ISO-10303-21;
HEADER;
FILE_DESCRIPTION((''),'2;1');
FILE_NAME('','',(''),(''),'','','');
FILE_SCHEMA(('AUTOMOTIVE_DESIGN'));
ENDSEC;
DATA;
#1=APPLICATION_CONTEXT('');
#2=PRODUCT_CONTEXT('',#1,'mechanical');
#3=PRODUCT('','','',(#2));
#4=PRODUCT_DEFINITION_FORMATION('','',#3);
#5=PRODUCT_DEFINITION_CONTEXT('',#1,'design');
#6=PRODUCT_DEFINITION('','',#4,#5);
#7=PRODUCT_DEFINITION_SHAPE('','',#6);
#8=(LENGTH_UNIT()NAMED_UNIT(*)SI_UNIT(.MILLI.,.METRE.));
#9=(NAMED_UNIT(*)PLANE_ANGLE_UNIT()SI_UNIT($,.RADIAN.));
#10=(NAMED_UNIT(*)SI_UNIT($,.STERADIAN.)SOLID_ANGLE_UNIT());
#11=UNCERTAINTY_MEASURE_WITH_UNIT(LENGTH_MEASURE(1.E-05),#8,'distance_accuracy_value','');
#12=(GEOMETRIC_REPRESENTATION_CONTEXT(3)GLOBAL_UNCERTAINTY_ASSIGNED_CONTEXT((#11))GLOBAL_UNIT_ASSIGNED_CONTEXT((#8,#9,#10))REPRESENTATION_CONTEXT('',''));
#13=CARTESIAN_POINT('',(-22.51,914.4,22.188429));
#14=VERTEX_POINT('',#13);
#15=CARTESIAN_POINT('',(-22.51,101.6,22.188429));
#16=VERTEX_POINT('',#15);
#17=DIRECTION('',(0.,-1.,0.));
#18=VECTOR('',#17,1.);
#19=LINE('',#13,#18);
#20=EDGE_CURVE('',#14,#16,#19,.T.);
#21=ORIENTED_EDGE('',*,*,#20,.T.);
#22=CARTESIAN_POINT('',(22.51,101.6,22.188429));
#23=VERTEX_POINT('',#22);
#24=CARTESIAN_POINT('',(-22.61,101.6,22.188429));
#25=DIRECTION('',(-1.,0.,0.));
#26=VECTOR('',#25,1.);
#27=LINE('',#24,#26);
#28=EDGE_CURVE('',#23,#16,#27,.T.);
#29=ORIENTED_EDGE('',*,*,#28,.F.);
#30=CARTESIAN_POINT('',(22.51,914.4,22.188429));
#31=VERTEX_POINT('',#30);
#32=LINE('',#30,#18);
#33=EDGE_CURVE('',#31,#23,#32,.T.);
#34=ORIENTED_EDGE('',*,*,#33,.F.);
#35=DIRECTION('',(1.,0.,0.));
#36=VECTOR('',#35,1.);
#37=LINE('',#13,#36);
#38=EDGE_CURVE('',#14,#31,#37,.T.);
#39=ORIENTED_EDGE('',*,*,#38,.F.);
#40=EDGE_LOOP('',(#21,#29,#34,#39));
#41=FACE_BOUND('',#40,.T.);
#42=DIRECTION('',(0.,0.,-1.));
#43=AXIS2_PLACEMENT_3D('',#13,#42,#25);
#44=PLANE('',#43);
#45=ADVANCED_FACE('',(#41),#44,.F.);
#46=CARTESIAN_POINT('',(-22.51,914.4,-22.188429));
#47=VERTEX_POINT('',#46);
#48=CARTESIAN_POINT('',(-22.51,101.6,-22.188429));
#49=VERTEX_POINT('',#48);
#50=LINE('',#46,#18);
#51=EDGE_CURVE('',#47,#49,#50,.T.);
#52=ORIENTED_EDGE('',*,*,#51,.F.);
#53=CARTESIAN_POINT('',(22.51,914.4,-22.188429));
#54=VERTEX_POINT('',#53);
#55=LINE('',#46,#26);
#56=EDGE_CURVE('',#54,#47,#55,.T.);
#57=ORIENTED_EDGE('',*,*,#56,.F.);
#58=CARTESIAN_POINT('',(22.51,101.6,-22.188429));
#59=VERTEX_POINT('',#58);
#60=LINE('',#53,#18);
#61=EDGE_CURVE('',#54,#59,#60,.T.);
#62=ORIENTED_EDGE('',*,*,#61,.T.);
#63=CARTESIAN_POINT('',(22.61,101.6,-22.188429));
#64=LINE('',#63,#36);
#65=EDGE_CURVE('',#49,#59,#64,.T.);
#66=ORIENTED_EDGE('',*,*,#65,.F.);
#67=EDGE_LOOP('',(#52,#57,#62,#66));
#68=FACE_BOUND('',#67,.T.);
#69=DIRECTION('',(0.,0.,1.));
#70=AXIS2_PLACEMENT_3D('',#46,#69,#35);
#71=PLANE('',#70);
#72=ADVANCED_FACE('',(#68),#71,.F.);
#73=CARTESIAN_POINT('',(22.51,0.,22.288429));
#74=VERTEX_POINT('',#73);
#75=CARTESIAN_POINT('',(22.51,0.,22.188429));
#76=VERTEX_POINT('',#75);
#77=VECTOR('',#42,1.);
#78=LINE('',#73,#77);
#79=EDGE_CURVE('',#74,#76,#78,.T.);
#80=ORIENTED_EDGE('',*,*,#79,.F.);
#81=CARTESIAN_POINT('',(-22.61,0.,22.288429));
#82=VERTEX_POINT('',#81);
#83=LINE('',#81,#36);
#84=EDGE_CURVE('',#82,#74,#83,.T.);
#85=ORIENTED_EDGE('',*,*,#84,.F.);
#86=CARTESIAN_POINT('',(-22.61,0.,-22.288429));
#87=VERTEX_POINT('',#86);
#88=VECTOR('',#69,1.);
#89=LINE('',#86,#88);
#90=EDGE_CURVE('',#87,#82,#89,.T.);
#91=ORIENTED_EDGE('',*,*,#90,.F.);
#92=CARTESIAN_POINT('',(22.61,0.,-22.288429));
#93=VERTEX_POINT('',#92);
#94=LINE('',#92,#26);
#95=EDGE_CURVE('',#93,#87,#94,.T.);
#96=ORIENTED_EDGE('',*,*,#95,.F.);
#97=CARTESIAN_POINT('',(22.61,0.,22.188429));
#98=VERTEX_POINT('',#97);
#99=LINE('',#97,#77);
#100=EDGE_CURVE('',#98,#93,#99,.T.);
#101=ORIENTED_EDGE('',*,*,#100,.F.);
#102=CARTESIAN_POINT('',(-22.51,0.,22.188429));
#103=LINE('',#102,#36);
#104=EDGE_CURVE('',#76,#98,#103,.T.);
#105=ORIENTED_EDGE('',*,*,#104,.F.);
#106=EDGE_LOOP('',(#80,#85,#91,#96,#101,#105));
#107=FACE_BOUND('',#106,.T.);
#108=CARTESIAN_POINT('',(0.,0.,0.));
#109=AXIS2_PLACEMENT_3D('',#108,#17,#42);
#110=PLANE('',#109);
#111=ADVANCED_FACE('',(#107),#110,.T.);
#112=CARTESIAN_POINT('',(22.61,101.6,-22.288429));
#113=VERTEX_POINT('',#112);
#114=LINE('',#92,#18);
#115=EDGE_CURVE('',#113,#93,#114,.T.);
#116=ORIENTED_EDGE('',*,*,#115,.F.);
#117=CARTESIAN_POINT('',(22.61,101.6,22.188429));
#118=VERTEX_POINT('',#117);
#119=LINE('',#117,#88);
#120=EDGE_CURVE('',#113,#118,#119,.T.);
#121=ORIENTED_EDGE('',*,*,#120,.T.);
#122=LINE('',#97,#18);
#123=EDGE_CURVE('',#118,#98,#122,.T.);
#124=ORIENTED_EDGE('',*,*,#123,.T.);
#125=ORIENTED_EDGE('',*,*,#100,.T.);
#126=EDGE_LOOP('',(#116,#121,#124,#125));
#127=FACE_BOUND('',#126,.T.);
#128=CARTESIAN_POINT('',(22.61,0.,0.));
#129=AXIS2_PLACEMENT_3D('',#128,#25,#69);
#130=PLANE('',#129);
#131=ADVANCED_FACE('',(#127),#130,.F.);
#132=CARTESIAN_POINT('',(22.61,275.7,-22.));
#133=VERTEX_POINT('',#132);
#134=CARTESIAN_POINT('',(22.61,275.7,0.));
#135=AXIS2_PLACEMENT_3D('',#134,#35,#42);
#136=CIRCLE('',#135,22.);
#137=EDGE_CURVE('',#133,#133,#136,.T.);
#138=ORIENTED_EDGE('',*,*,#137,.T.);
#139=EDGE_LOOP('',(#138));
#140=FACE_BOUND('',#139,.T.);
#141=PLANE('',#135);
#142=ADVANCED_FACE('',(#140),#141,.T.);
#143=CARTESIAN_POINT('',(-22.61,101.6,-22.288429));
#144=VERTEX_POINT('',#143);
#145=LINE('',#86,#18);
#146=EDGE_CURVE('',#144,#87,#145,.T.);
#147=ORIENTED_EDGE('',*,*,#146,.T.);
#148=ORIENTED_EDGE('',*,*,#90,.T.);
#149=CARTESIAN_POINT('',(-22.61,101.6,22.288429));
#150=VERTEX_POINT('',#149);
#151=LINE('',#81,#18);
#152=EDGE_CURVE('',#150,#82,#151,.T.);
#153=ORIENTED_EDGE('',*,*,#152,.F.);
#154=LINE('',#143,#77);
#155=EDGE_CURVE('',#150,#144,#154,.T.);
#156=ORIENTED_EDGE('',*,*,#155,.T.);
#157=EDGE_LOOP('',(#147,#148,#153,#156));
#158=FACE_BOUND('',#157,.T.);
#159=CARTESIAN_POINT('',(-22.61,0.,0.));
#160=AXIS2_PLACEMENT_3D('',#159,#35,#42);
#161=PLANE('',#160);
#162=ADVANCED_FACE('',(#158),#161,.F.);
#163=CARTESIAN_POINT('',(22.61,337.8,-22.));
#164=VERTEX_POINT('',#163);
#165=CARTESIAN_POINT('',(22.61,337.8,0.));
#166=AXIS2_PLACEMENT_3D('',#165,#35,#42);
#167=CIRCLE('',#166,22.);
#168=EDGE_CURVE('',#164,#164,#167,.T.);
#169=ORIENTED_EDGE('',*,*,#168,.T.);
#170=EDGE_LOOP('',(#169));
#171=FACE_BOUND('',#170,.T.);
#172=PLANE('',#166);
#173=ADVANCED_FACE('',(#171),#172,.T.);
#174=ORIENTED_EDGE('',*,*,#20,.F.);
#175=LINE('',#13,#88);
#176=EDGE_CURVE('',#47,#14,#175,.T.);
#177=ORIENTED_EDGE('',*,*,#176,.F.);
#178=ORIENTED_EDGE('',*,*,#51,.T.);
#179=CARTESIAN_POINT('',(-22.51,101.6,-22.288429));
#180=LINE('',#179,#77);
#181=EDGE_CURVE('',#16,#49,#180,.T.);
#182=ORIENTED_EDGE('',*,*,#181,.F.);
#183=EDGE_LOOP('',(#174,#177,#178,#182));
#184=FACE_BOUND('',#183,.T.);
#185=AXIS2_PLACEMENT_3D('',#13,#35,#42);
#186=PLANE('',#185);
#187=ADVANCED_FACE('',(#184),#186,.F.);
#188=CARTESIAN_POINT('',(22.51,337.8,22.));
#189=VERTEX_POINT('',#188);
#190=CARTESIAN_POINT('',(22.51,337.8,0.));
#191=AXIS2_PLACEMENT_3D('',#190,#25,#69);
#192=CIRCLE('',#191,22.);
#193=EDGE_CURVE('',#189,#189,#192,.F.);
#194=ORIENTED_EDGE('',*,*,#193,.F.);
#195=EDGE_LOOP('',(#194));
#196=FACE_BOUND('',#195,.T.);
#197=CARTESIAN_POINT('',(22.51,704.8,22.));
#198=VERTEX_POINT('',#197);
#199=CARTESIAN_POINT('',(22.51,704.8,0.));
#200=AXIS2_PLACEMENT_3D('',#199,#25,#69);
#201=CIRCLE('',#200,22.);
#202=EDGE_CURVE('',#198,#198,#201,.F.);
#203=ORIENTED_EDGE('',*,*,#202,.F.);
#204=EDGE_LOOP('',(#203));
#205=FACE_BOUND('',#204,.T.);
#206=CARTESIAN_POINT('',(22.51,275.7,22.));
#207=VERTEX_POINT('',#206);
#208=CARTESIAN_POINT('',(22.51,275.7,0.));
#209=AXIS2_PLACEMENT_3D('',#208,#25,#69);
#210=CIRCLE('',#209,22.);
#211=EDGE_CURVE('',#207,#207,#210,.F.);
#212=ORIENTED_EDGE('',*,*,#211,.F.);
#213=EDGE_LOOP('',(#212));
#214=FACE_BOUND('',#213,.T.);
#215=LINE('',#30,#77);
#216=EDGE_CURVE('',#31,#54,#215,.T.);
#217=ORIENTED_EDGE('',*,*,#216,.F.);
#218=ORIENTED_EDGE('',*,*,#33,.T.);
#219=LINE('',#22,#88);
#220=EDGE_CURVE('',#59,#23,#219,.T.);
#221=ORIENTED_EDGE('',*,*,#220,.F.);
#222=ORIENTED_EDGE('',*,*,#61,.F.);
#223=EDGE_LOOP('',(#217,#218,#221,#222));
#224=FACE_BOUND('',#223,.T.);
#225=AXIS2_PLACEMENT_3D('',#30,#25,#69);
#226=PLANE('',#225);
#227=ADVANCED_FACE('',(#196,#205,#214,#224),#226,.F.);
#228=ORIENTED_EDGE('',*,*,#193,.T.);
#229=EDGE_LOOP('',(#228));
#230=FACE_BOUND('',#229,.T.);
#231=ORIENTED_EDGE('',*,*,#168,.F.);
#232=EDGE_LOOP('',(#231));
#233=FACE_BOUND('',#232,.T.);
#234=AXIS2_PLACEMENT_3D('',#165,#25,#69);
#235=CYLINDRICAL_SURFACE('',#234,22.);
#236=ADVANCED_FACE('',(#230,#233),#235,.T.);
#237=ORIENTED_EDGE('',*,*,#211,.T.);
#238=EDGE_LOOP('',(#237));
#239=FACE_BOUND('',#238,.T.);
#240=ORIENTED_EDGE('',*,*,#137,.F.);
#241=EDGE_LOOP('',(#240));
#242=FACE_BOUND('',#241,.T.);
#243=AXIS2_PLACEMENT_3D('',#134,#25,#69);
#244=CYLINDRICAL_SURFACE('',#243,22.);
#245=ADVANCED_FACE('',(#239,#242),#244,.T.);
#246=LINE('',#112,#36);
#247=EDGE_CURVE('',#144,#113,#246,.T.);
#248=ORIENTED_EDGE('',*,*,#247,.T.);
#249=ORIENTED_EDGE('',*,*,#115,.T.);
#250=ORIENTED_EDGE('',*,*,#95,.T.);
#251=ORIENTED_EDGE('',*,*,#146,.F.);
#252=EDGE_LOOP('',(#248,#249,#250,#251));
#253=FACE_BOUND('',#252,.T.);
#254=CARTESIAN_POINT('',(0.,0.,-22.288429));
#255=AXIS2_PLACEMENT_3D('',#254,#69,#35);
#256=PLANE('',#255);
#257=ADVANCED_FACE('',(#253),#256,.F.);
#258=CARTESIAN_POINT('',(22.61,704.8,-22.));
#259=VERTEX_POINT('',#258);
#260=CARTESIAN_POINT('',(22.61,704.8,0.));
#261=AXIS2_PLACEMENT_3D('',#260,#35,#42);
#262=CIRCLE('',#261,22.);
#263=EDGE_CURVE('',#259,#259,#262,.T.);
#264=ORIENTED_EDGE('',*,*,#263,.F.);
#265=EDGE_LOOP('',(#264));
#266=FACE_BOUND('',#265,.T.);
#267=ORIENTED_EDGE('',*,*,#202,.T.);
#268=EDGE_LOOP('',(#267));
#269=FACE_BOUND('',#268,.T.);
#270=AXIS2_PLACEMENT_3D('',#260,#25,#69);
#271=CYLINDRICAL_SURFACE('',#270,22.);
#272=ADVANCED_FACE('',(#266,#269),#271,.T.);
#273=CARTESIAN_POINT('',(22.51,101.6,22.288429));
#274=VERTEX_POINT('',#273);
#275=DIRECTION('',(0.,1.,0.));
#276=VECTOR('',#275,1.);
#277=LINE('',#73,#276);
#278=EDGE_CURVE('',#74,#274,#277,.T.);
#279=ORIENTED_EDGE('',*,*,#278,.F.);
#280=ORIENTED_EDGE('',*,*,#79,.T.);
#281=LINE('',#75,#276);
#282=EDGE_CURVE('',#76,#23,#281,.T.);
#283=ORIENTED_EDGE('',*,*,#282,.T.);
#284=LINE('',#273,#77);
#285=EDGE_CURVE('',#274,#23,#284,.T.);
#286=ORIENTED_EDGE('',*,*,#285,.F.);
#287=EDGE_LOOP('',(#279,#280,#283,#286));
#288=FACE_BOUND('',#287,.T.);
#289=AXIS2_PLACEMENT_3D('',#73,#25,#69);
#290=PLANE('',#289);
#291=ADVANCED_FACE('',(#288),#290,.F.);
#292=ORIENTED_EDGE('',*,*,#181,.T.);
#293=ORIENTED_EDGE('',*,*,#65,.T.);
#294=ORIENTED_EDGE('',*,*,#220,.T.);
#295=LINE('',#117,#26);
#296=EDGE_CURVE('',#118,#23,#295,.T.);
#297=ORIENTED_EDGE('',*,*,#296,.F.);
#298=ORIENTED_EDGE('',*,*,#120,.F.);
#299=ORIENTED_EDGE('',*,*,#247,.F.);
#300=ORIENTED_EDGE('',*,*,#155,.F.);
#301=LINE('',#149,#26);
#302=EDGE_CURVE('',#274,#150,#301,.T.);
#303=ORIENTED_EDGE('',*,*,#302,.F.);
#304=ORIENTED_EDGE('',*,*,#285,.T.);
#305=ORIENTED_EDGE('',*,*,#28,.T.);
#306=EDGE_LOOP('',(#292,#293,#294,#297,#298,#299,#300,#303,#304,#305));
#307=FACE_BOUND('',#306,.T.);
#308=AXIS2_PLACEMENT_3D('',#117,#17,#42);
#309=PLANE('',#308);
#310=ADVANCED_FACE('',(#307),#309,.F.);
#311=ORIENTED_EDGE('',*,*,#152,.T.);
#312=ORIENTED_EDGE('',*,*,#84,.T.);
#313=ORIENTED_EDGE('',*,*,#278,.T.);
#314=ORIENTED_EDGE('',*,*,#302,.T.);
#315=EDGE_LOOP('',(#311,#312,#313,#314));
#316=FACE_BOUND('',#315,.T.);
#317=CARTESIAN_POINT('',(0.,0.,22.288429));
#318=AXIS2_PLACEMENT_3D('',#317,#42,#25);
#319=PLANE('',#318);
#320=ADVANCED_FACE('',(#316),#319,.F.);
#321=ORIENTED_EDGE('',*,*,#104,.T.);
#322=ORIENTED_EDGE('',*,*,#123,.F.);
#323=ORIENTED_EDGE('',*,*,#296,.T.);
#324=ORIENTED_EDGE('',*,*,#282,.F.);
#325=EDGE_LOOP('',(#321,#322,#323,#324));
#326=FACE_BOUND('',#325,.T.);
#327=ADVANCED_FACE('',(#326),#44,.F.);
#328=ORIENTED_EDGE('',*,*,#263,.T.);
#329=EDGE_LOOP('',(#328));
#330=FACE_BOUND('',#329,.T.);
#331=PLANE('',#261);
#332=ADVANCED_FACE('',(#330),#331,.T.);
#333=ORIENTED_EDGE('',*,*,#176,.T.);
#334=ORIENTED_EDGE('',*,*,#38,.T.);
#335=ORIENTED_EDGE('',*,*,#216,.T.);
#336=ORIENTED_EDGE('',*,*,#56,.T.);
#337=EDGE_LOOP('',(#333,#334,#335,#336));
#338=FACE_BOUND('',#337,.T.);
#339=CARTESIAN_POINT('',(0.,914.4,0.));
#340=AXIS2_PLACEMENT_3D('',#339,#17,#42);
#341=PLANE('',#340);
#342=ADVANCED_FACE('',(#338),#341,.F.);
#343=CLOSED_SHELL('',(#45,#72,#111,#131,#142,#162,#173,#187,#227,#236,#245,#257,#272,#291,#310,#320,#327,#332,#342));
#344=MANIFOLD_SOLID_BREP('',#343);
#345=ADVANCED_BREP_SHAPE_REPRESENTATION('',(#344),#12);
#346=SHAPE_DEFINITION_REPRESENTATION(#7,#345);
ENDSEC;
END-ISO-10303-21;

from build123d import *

# Parameters (mm, degrees)
SKETCH1_W           = 45.02
SKETCH1_H           = 44.376857142
BOSS_EXTRUDE1_DEPTH = 914.4
SKETCH2_R           = 22
BOSS_EXTRUDE2_DEPTH = 0.1
SKETCH3_W           = 44.376857142
SKETCH3_H           = 101.6
BOSS_EXTRUDE3_DEPTH = 0.1
SKETCH4_W           = 45.12
SKETCH4_H           = 101.6
BOSS_EXTRUDE4_DEPTH = 0.1
SKETCH5_W           = 44.476857142
SKETCH5_H           = 101.6
BOSS_EXTRUDE5_DEPTH = 0.1
SKETCH6_W           = 45.12
SKETCH6_H           = 101.6
BOSS_EXTRUDE6_DEPTH = 0.1


with BuildPart() as part:
    # Sketch1 → Boss-Extrude1 (new body)
    with BuildSketch(Plane(origin=(0, 0, 0), x_dir=(1, 0, 0), z_dir=(0, 1, 0))):
        Rectangle(SKETCH1_W, SKETCH1_H)
    extrude(amount=BOSS_EXTRUDE1_DEPTH)

    # Sketch2 → Boss-Extrude2 (add)
    with BuildSketch(Plane(origin=(22.51, 0, 0), x_dir=(0, 0, -1), z_dir=(1, 0, 0))):
        with Locations((0, 275.7)):
            Circle(SKETCH2_R)
        with Locations((0, 337.8)):
            Circle(SKETCH2_R)
        with Locations((0, 704.8)):
            Circle(SKETCH2_R)
    extrude(amount=BOSS_EXTRUDE2_DEPTH)

    # Sketch3 → Boss-Extrude3 (add)
    with BuildSketch(Plane(origin=(22.51, 0, 0), x_dir=(0, 0, -1), z_dir=(1, 0, 0))):
        with Locations((0, 50.8)):
            Rectangle(SKETCH3_W, SKETCH3_H)
    extrude(amount=BOSS_EXTRUDE3_DEPTH)

    # Sketch4 → Boss-Extrude4 (add)
    with BuildSketch(Plane(origin=(0, 0, -22.188428571), x_dir=(-1, 0, 0), z_dir=(0, 0, -1))):
        with Locations((-0.05, 50.8)):
            Rectangle(SKETCH4_W, SKETCH4_H)
    extrude(amount=BOSS_EXTRUDE4_DEPTH)

    # Sketch5 → Boss-Extrude5 (add)
    with BuildSketch(Plane.ZY.offset(22.51)):
        with Locations((-0.05, 50.8)):
            Rectangle(SKETCH5_W, SKETCH5_H)
    extrude(amount=BOSS_EXTRUDE5_DEPTH)

    # Sketch6 → Boss-Extrude6 (add)
    with BuildSketch(Plane.XY.offset(22.188428571)):
        with Locations((-0.05, 50.8)):
            Rectangle(SKETCH6_W, SKETCH6_H)
    extrude(amount=BOSS_EXTRUDE6_DEPTH)


solid = part.part
